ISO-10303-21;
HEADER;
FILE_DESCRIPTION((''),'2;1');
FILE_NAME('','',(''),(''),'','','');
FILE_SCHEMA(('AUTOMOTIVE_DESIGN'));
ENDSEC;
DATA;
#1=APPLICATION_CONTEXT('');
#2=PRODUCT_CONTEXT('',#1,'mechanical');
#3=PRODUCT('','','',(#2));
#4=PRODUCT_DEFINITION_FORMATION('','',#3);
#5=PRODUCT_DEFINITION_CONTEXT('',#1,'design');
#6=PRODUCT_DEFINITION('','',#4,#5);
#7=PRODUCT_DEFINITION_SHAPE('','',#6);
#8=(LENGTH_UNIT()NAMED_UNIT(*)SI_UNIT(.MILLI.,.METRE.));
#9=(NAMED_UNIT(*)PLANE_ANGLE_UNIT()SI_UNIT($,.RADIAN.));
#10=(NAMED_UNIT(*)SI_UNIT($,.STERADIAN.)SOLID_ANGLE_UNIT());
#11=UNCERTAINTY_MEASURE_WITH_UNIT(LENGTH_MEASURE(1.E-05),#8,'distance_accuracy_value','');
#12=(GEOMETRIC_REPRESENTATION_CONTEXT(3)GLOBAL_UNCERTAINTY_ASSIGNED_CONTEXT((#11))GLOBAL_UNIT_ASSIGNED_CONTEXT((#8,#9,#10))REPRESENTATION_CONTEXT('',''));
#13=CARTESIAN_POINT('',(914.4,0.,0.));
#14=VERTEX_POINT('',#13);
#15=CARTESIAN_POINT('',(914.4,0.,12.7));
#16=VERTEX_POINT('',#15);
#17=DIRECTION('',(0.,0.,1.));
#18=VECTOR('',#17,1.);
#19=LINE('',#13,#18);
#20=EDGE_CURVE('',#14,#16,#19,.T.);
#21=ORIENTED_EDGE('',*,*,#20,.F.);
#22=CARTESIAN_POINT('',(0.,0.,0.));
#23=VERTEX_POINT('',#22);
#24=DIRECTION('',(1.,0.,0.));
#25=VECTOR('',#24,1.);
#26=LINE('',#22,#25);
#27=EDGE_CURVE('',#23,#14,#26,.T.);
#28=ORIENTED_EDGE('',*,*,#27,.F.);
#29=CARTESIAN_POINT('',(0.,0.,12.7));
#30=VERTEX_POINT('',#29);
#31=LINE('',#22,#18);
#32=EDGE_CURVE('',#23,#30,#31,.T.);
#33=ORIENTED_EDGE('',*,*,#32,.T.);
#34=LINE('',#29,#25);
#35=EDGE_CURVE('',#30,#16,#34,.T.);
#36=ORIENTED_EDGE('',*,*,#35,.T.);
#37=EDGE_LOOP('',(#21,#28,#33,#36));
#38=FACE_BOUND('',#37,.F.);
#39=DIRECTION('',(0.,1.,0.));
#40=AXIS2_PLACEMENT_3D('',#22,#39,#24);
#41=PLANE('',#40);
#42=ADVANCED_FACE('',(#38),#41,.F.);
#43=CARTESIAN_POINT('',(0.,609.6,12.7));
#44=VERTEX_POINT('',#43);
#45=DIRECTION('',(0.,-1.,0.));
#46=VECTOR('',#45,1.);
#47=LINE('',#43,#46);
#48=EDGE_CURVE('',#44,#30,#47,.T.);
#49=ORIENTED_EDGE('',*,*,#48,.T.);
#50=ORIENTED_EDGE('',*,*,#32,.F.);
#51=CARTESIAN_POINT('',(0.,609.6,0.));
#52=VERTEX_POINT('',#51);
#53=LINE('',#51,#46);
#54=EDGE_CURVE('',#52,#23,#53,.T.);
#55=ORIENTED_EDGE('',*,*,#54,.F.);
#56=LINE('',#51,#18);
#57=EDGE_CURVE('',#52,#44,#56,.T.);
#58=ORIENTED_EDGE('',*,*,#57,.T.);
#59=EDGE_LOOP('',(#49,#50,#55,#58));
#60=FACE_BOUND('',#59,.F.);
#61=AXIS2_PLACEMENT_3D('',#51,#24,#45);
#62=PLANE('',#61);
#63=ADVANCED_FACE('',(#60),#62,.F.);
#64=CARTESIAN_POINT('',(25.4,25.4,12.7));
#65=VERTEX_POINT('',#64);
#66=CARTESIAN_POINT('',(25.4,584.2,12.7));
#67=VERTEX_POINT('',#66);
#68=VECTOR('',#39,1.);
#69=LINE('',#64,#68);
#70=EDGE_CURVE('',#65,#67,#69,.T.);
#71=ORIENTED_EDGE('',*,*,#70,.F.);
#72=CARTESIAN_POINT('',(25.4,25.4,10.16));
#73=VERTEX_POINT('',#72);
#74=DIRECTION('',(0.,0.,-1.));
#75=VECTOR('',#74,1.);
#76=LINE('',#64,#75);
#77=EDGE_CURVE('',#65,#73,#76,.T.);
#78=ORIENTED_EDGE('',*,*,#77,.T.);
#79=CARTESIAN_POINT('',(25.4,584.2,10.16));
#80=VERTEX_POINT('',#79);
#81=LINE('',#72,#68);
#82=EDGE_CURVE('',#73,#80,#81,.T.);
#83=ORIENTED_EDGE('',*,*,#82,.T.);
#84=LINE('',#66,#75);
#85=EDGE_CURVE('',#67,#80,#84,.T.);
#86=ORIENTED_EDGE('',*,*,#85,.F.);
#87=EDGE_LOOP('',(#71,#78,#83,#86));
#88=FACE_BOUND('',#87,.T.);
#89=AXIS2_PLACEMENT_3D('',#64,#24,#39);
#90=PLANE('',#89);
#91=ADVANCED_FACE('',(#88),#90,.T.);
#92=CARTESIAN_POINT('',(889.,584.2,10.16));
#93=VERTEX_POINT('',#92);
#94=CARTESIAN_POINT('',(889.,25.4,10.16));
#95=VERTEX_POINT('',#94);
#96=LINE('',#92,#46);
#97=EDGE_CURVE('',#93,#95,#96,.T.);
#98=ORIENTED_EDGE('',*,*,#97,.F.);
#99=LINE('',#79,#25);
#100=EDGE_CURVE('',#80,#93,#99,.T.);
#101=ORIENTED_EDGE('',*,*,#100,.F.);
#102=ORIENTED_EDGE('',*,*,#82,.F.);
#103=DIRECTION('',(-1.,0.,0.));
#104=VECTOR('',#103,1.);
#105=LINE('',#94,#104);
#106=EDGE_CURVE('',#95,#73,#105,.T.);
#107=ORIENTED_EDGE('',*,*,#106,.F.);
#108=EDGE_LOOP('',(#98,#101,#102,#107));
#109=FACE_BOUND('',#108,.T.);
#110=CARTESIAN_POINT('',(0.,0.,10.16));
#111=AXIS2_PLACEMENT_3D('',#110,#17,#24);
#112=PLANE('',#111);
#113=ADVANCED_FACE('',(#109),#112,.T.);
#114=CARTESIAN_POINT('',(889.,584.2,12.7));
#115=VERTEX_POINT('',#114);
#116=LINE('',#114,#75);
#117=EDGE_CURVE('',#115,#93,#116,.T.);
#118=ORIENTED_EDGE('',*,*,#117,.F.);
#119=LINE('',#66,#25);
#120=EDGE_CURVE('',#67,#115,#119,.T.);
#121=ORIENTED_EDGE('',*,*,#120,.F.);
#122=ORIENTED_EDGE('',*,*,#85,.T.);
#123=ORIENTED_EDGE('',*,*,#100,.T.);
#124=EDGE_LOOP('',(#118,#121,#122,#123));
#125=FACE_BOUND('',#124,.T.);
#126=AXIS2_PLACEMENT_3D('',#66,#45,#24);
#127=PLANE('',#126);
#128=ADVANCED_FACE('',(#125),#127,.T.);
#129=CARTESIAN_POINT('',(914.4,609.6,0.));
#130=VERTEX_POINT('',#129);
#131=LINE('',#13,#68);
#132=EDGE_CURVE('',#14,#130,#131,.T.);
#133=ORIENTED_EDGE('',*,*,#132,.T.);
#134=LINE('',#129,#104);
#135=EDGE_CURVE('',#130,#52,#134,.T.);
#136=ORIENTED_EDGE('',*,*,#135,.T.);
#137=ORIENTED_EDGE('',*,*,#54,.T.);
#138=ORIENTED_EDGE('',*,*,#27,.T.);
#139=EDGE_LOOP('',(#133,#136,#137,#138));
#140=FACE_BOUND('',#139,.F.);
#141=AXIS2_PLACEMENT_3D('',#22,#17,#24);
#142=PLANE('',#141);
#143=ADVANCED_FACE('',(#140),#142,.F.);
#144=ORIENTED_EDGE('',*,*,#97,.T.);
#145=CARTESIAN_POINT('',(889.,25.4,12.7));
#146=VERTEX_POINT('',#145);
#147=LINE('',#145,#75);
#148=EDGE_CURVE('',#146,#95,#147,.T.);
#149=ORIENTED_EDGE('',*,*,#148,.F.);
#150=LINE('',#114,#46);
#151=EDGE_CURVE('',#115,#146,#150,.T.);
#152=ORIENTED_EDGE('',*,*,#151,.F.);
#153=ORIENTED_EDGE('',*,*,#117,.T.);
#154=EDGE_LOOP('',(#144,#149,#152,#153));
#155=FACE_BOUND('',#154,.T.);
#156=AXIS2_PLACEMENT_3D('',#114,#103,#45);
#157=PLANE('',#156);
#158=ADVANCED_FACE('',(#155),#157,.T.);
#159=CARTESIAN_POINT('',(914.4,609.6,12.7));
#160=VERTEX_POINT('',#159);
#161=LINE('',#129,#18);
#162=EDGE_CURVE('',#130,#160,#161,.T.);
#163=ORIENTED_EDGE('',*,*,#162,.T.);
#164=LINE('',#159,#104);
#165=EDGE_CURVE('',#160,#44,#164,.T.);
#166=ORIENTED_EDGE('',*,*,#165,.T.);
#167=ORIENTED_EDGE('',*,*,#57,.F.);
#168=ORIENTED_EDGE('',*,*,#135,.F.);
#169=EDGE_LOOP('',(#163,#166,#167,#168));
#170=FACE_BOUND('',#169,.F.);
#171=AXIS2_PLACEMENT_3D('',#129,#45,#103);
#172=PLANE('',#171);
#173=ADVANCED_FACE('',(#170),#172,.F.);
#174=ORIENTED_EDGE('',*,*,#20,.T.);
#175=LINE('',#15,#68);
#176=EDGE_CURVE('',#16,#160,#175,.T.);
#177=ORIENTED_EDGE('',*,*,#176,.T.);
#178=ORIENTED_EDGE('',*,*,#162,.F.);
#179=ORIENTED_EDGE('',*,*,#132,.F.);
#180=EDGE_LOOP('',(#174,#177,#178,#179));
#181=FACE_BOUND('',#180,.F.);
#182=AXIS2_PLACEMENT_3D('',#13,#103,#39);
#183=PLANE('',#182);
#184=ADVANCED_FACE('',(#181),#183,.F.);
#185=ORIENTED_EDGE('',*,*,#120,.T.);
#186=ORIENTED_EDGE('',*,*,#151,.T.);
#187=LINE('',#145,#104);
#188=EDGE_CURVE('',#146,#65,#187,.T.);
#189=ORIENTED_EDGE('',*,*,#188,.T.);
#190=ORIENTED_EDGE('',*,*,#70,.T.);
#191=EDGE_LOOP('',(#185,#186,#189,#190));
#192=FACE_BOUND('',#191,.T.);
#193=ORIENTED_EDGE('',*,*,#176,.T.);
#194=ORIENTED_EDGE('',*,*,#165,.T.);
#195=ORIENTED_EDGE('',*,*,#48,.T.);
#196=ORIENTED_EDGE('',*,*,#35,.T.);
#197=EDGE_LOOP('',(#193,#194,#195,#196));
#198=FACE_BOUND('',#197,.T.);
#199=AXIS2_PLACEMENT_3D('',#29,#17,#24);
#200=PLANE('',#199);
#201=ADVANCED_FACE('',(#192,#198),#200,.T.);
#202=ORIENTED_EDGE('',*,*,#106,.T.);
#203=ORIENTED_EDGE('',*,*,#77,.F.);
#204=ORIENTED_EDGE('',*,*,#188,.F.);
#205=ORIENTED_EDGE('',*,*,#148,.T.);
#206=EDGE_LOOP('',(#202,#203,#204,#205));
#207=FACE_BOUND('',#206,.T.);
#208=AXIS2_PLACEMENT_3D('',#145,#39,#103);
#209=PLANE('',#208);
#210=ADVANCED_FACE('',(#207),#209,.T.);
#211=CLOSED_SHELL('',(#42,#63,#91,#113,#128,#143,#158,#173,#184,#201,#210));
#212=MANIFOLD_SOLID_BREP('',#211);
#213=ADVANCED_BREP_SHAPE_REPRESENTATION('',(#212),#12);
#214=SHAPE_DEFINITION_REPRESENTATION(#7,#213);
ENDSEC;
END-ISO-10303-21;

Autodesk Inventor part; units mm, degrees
ref_plane "YZ Plane" through (0, 0, 0) normal (1, 0, 0) x (0, 1, 0)
ref_plane "XZ Plane" through (0, 0, 0) normal (0, 1, 0) x (-1, 0, 0)
ref_plane "XY Plane" through (0, 0, 0) normal (0, 0, 1) x (1, 0, 0)
sketch "Sketch1" plane through (0, 0, 0) normal (0, 0, 1) x (1, 0, 0)
  line L0 (0, 0) -> (914.4, 0)
  line L1 (914.4, 0) -> (914.4, 609.6)
  line L2 (914.4, 609.6) -> (0, 609.6)
  line L3 (0, 609.6) -> (0, 0)
  dimension "d0" = 914.4
  dimension "d1" = 609.6
extrude "Extrusion1" add sketch "Sketch1" along normal blind 12.7
sketch "Sketch2" plane through (0, 0, 12.7) normal (0, 0, 1) x (1, 0, 0)
  line L0 (0, 609.6) -> (0, 0) projected
  line L1 (914.4, 609.6) -> (0, 609.6) projected
  line L2 (0, 0) -> (914.4, 0) projected
  line L3 (914.4, 0) -> (914.4, 609.6) projected
  line L4 (889, 25.4) -> (25.4, 25.4)
  line L5 (25.4, 25.4) -> (25.4, 584.2)
  line L6 (25.4, 584.2) -> (889, 584.2)
  line L7 (889, 584.2) -> (889, 25.4)
  dimension "d4" = 25.4
extrude "Extrusion2" cut sketch "Sketch2" against normal blind 2.54 contours L4 L5 L6 L7
properties part number "Ship area"
